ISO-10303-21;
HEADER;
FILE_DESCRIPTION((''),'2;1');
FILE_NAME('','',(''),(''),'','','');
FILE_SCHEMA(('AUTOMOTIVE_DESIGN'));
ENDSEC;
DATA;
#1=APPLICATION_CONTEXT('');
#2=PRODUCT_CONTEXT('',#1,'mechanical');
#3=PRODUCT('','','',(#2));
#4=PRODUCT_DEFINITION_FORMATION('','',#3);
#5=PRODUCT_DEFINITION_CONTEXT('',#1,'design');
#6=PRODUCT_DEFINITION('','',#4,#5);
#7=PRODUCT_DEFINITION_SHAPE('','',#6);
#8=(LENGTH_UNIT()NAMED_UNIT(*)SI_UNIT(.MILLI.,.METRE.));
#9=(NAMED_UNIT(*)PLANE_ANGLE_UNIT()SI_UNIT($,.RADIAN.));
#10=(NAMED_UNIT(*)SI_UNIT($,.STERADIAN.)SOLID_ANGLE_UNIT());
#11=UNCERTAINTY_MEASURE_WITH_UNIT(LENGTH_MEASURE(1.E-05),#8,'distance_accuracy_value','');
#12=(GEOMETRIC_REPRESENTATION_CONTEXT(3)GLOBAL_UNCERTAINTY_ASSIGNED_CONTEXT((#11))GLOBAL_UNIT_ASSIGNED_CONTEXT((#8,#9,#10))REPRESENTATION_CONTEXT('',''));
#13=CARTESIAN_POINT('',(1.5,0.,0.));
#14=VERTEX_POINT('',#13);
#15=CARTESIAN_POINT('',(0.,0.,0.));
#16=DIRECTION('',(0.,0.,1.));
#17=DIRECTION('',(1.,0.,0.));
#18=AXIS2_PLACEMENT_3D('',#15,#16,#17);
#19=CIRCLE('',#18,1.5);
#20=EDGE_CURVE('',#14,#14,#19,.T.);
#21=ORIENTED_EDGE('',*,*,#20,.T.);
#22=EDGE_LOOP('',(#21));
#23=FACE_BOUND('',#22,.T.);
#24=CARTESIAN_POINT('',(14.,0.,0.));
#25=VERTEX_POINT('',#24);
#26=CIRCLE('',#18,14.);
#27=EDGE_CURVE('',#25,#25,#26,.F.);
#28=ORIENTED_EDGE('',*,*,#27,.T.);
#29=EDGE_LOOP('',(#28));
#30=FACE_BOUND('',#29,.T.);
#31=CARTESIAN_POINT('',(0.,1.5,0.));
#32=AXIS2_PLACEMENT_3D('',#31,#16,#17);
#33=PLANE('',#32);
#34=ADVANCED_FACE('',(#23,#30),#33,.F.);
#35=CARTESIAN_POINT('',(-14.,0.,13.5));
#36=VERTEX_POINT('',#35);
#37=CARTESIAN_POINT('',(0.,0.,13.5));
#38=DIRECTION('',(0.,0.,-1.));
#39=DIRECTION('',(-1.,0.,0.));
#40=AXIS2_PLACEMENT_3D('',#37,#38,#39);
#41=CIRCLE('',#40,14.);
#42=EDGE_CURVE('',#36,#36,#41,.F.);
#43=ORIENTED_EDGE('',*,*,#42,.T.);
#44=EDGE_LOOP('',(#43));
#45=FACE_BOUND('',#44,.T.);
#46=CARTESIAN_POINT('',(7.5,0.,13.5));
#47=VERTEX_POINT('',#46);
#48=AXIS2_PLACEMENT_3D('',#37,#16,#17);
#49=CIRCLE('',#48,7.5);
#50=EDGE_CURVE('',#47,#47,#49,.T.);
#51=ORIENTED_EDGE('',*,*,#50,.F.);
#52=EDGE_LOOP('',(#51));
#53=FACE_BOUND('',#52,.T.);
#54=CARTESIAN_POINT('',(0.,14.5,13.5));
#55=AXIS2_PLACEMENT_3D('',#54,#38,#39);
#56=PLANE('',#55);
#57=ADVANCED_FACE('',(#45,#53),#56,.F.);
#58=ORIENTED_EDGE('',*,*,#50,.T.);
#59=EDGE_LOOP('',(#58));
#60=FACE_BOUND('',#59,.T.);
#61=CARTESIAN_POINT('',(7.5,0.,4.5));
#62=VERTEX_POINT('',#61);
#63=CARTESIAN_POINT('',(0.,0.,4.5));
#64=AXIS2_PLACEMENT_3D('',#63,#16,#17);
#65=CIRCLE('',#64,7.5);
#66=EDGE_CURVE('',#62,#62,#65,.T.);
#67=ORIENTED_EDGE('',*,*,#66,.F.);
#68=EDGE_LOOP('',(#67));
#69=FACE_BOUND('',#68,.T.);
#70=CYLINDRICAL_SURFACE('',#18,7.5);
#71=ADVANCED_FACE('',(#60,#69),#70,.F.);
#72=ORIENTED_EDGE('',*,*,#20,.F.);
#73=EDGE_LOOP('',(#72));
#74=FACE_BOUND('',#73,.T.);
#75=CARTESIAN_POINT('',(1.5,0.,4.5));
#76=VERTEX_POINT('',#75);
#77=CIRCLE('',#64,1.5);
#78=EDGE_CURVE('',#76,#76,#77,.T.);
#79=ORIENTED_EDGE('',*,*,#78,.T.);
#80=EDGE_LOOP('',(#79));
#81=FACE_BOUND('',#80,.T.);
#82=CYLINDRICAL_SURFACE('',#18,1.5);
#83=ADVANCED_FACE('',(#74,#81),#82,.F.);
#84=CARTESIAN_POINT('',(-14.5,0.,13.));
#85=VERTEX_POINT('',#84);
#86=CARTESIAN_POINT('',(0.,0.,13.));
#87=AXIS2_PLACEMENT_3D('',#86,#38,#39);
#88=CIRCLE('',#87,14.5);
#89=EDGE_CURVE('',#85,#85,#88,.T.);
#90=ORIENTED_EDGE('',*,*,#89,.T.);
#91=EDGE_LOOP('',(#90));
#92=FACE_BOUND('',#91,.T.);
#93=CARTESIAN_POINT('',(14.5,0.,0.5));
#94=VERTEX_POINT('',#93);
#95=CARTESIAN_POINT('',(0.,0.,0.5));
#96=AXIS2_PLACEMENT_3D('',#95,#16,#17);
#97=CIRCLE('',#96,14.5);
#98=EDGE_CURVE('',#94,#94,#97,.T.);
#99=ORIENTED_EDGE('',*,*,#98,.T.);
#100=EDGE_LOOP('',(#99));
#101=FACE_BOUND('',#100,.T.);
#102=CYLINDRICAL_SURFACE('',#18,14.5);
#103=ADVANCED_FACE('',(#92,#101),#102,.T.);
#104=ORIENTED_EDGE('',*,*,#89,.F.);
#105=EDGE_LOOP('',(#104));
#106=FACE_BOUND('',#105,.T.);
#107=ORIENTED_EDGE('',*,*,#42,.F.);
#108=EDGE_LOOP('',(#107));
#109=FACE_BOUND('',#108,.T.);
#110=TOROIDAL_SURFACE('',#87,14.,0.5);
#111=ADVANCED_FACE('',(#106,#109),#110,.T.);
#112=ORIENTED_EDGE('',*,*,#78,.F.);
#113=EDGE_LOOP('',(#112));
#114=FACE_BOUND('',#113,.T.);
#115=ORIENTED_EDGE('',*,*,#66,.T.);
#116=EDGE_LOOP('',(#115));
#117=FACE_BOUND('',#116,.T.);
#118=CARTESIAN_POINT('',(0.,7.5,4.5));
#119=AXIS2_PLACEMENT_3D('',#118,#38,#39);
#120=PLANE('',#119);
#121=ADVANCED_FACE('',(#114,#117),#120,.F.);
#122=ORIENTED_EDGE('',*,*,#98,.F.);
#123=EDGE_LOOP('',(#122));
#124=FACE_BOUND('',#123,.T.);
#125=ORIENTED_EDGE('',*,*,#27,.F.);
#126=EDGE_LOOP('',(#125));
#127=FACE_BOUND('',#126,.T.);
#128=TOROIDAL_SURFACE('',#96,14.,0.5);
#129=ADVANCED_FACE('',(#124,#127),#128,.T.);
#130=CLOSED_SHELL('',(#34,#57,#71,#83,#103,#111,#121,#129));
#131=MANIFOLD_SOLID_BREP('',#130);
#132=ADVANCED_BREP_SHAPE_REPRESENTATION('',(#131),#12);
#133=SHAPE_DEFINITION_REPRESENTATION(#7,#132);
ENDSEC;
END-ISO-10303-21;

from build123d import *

# Parameters (mm, degrees)
FILLET_1_R = 0.5


with BuildPart() as part:
    # Эскиз1 → Повернуть1 (revolve)
    with BuildSketch(Plane(origin=(0, 0, 0), x_dir=(0, 0, -1), z_dir=(1, 0, 0)), mode=Mode.PRIVATE) as revolve_1_sk:
        Polygon((0, 1.5), (0, 14.5), (-13.5, 14.5), (-13.5, 7.5), (-4.5, 7.5), (-4.5, 1.5), align=None)
    revolve(revolve_1_sk.sketch.rotate(Axis((0, 0, 0), (0, 0, -1)), 90), axis=Axis((0, 0, 0), (0, 0, -1)))

    # Скругление1
    fillet_1_edges = [part.edges().sort_by_distance(p)[0] for p in [
        (-14.5, 0, 13.5),
        (-14.5, 0, 0),
    ]]
    fillet(fillet_1_edges, radius=FILLET_1_R)


solid = part.part
